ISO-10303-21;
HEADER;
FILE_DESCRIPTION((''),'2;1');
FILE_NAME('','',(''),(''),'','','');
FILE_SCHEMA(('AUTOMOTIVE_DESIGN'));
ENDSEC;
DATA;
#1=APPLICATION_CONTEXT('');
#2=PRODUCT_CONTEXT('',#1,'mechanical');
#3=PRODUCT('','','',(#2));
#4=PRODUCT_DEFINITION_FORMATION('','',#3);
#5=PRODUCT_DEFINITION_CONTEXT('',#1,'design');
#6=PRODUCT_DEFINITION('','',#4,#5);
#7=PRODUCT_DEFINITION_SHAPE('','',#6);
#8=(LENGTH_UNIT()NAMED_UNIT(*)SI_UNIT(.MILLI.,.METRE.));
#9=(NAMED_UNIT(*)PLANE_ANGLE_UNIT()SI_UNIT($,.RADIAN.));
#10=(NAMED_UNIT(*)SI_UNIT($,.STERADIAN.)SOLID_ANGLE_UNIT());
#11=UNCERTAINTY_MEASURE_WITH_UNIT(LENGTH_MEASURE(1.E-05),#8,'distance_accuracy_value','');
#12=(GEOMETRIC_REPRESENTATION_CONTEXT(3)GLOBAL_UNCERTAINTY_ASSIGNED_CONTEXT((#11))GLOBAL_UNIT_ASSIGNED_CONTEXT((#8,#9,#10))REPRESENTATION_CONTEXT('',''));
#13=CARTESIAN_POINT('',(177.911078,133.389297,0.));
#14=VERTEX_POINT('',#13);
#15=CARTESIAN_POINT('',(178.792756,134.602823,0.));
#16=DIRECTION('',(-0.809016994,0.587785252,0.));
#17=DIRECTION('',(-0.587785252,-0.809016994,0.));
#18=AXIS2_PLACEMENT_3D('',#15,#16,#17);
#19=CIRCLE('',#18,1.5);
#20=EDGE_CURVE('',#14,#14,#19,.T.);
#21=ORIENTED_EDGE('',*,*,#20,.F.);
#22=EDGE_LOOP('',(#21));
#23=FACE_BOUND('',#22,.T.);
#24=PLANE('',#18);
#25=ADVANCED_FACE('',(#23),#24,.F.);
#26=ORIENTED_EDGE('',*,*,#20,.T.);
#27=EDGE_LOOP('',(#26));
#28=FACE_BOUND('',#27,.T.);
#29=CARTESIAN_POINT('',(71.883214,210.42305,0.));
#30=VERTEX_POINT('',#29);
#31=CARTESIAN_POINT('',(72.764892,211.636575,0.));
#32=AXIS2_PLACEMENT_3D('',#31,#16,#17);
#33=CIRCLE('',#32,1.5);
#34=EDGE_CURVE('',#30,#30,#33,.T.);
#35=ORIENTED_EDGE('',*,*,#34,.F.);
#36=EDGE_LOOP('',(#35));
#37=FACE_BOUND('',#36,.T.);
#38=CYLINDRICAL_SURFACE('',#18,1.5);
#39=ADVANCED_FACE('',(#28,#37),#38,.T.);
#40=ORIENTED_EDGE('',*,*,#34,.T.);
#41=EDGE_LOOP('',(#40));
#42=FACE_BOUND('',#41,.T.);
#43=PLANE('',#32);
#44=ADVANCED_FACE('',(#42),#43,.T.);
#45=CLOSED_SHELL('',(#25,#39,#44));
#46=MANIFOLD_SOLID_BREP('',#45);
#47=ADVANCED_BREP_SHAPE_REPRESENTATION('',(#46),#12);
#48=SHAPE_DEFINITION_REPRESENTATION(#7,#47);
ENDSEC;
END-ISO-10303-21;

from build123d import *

# Parameters (mm, degrees)
SKETCH3_R = 1.5


with BuildPart() as part:
    # Sweep1: sweep along a path in Sketch2
    with BuildLine(Plane.XY) as sweep1_path:
        Line((178.792755757, 134.602822775), (72.764891712, 211.636575157))
    # Sketch3 → Sweep1 (sweep)
    with BuildSketch(Plane(origin=(72.764891712, 211.636575157, 0), x_dir=(0, 0, 1), z_dir=(-0.8090169943749471, 0.5877852522924736, 0))):
        Circle(SKETCH3_R)
    sweep(path=sweep1_path.line)


solid = part.part
